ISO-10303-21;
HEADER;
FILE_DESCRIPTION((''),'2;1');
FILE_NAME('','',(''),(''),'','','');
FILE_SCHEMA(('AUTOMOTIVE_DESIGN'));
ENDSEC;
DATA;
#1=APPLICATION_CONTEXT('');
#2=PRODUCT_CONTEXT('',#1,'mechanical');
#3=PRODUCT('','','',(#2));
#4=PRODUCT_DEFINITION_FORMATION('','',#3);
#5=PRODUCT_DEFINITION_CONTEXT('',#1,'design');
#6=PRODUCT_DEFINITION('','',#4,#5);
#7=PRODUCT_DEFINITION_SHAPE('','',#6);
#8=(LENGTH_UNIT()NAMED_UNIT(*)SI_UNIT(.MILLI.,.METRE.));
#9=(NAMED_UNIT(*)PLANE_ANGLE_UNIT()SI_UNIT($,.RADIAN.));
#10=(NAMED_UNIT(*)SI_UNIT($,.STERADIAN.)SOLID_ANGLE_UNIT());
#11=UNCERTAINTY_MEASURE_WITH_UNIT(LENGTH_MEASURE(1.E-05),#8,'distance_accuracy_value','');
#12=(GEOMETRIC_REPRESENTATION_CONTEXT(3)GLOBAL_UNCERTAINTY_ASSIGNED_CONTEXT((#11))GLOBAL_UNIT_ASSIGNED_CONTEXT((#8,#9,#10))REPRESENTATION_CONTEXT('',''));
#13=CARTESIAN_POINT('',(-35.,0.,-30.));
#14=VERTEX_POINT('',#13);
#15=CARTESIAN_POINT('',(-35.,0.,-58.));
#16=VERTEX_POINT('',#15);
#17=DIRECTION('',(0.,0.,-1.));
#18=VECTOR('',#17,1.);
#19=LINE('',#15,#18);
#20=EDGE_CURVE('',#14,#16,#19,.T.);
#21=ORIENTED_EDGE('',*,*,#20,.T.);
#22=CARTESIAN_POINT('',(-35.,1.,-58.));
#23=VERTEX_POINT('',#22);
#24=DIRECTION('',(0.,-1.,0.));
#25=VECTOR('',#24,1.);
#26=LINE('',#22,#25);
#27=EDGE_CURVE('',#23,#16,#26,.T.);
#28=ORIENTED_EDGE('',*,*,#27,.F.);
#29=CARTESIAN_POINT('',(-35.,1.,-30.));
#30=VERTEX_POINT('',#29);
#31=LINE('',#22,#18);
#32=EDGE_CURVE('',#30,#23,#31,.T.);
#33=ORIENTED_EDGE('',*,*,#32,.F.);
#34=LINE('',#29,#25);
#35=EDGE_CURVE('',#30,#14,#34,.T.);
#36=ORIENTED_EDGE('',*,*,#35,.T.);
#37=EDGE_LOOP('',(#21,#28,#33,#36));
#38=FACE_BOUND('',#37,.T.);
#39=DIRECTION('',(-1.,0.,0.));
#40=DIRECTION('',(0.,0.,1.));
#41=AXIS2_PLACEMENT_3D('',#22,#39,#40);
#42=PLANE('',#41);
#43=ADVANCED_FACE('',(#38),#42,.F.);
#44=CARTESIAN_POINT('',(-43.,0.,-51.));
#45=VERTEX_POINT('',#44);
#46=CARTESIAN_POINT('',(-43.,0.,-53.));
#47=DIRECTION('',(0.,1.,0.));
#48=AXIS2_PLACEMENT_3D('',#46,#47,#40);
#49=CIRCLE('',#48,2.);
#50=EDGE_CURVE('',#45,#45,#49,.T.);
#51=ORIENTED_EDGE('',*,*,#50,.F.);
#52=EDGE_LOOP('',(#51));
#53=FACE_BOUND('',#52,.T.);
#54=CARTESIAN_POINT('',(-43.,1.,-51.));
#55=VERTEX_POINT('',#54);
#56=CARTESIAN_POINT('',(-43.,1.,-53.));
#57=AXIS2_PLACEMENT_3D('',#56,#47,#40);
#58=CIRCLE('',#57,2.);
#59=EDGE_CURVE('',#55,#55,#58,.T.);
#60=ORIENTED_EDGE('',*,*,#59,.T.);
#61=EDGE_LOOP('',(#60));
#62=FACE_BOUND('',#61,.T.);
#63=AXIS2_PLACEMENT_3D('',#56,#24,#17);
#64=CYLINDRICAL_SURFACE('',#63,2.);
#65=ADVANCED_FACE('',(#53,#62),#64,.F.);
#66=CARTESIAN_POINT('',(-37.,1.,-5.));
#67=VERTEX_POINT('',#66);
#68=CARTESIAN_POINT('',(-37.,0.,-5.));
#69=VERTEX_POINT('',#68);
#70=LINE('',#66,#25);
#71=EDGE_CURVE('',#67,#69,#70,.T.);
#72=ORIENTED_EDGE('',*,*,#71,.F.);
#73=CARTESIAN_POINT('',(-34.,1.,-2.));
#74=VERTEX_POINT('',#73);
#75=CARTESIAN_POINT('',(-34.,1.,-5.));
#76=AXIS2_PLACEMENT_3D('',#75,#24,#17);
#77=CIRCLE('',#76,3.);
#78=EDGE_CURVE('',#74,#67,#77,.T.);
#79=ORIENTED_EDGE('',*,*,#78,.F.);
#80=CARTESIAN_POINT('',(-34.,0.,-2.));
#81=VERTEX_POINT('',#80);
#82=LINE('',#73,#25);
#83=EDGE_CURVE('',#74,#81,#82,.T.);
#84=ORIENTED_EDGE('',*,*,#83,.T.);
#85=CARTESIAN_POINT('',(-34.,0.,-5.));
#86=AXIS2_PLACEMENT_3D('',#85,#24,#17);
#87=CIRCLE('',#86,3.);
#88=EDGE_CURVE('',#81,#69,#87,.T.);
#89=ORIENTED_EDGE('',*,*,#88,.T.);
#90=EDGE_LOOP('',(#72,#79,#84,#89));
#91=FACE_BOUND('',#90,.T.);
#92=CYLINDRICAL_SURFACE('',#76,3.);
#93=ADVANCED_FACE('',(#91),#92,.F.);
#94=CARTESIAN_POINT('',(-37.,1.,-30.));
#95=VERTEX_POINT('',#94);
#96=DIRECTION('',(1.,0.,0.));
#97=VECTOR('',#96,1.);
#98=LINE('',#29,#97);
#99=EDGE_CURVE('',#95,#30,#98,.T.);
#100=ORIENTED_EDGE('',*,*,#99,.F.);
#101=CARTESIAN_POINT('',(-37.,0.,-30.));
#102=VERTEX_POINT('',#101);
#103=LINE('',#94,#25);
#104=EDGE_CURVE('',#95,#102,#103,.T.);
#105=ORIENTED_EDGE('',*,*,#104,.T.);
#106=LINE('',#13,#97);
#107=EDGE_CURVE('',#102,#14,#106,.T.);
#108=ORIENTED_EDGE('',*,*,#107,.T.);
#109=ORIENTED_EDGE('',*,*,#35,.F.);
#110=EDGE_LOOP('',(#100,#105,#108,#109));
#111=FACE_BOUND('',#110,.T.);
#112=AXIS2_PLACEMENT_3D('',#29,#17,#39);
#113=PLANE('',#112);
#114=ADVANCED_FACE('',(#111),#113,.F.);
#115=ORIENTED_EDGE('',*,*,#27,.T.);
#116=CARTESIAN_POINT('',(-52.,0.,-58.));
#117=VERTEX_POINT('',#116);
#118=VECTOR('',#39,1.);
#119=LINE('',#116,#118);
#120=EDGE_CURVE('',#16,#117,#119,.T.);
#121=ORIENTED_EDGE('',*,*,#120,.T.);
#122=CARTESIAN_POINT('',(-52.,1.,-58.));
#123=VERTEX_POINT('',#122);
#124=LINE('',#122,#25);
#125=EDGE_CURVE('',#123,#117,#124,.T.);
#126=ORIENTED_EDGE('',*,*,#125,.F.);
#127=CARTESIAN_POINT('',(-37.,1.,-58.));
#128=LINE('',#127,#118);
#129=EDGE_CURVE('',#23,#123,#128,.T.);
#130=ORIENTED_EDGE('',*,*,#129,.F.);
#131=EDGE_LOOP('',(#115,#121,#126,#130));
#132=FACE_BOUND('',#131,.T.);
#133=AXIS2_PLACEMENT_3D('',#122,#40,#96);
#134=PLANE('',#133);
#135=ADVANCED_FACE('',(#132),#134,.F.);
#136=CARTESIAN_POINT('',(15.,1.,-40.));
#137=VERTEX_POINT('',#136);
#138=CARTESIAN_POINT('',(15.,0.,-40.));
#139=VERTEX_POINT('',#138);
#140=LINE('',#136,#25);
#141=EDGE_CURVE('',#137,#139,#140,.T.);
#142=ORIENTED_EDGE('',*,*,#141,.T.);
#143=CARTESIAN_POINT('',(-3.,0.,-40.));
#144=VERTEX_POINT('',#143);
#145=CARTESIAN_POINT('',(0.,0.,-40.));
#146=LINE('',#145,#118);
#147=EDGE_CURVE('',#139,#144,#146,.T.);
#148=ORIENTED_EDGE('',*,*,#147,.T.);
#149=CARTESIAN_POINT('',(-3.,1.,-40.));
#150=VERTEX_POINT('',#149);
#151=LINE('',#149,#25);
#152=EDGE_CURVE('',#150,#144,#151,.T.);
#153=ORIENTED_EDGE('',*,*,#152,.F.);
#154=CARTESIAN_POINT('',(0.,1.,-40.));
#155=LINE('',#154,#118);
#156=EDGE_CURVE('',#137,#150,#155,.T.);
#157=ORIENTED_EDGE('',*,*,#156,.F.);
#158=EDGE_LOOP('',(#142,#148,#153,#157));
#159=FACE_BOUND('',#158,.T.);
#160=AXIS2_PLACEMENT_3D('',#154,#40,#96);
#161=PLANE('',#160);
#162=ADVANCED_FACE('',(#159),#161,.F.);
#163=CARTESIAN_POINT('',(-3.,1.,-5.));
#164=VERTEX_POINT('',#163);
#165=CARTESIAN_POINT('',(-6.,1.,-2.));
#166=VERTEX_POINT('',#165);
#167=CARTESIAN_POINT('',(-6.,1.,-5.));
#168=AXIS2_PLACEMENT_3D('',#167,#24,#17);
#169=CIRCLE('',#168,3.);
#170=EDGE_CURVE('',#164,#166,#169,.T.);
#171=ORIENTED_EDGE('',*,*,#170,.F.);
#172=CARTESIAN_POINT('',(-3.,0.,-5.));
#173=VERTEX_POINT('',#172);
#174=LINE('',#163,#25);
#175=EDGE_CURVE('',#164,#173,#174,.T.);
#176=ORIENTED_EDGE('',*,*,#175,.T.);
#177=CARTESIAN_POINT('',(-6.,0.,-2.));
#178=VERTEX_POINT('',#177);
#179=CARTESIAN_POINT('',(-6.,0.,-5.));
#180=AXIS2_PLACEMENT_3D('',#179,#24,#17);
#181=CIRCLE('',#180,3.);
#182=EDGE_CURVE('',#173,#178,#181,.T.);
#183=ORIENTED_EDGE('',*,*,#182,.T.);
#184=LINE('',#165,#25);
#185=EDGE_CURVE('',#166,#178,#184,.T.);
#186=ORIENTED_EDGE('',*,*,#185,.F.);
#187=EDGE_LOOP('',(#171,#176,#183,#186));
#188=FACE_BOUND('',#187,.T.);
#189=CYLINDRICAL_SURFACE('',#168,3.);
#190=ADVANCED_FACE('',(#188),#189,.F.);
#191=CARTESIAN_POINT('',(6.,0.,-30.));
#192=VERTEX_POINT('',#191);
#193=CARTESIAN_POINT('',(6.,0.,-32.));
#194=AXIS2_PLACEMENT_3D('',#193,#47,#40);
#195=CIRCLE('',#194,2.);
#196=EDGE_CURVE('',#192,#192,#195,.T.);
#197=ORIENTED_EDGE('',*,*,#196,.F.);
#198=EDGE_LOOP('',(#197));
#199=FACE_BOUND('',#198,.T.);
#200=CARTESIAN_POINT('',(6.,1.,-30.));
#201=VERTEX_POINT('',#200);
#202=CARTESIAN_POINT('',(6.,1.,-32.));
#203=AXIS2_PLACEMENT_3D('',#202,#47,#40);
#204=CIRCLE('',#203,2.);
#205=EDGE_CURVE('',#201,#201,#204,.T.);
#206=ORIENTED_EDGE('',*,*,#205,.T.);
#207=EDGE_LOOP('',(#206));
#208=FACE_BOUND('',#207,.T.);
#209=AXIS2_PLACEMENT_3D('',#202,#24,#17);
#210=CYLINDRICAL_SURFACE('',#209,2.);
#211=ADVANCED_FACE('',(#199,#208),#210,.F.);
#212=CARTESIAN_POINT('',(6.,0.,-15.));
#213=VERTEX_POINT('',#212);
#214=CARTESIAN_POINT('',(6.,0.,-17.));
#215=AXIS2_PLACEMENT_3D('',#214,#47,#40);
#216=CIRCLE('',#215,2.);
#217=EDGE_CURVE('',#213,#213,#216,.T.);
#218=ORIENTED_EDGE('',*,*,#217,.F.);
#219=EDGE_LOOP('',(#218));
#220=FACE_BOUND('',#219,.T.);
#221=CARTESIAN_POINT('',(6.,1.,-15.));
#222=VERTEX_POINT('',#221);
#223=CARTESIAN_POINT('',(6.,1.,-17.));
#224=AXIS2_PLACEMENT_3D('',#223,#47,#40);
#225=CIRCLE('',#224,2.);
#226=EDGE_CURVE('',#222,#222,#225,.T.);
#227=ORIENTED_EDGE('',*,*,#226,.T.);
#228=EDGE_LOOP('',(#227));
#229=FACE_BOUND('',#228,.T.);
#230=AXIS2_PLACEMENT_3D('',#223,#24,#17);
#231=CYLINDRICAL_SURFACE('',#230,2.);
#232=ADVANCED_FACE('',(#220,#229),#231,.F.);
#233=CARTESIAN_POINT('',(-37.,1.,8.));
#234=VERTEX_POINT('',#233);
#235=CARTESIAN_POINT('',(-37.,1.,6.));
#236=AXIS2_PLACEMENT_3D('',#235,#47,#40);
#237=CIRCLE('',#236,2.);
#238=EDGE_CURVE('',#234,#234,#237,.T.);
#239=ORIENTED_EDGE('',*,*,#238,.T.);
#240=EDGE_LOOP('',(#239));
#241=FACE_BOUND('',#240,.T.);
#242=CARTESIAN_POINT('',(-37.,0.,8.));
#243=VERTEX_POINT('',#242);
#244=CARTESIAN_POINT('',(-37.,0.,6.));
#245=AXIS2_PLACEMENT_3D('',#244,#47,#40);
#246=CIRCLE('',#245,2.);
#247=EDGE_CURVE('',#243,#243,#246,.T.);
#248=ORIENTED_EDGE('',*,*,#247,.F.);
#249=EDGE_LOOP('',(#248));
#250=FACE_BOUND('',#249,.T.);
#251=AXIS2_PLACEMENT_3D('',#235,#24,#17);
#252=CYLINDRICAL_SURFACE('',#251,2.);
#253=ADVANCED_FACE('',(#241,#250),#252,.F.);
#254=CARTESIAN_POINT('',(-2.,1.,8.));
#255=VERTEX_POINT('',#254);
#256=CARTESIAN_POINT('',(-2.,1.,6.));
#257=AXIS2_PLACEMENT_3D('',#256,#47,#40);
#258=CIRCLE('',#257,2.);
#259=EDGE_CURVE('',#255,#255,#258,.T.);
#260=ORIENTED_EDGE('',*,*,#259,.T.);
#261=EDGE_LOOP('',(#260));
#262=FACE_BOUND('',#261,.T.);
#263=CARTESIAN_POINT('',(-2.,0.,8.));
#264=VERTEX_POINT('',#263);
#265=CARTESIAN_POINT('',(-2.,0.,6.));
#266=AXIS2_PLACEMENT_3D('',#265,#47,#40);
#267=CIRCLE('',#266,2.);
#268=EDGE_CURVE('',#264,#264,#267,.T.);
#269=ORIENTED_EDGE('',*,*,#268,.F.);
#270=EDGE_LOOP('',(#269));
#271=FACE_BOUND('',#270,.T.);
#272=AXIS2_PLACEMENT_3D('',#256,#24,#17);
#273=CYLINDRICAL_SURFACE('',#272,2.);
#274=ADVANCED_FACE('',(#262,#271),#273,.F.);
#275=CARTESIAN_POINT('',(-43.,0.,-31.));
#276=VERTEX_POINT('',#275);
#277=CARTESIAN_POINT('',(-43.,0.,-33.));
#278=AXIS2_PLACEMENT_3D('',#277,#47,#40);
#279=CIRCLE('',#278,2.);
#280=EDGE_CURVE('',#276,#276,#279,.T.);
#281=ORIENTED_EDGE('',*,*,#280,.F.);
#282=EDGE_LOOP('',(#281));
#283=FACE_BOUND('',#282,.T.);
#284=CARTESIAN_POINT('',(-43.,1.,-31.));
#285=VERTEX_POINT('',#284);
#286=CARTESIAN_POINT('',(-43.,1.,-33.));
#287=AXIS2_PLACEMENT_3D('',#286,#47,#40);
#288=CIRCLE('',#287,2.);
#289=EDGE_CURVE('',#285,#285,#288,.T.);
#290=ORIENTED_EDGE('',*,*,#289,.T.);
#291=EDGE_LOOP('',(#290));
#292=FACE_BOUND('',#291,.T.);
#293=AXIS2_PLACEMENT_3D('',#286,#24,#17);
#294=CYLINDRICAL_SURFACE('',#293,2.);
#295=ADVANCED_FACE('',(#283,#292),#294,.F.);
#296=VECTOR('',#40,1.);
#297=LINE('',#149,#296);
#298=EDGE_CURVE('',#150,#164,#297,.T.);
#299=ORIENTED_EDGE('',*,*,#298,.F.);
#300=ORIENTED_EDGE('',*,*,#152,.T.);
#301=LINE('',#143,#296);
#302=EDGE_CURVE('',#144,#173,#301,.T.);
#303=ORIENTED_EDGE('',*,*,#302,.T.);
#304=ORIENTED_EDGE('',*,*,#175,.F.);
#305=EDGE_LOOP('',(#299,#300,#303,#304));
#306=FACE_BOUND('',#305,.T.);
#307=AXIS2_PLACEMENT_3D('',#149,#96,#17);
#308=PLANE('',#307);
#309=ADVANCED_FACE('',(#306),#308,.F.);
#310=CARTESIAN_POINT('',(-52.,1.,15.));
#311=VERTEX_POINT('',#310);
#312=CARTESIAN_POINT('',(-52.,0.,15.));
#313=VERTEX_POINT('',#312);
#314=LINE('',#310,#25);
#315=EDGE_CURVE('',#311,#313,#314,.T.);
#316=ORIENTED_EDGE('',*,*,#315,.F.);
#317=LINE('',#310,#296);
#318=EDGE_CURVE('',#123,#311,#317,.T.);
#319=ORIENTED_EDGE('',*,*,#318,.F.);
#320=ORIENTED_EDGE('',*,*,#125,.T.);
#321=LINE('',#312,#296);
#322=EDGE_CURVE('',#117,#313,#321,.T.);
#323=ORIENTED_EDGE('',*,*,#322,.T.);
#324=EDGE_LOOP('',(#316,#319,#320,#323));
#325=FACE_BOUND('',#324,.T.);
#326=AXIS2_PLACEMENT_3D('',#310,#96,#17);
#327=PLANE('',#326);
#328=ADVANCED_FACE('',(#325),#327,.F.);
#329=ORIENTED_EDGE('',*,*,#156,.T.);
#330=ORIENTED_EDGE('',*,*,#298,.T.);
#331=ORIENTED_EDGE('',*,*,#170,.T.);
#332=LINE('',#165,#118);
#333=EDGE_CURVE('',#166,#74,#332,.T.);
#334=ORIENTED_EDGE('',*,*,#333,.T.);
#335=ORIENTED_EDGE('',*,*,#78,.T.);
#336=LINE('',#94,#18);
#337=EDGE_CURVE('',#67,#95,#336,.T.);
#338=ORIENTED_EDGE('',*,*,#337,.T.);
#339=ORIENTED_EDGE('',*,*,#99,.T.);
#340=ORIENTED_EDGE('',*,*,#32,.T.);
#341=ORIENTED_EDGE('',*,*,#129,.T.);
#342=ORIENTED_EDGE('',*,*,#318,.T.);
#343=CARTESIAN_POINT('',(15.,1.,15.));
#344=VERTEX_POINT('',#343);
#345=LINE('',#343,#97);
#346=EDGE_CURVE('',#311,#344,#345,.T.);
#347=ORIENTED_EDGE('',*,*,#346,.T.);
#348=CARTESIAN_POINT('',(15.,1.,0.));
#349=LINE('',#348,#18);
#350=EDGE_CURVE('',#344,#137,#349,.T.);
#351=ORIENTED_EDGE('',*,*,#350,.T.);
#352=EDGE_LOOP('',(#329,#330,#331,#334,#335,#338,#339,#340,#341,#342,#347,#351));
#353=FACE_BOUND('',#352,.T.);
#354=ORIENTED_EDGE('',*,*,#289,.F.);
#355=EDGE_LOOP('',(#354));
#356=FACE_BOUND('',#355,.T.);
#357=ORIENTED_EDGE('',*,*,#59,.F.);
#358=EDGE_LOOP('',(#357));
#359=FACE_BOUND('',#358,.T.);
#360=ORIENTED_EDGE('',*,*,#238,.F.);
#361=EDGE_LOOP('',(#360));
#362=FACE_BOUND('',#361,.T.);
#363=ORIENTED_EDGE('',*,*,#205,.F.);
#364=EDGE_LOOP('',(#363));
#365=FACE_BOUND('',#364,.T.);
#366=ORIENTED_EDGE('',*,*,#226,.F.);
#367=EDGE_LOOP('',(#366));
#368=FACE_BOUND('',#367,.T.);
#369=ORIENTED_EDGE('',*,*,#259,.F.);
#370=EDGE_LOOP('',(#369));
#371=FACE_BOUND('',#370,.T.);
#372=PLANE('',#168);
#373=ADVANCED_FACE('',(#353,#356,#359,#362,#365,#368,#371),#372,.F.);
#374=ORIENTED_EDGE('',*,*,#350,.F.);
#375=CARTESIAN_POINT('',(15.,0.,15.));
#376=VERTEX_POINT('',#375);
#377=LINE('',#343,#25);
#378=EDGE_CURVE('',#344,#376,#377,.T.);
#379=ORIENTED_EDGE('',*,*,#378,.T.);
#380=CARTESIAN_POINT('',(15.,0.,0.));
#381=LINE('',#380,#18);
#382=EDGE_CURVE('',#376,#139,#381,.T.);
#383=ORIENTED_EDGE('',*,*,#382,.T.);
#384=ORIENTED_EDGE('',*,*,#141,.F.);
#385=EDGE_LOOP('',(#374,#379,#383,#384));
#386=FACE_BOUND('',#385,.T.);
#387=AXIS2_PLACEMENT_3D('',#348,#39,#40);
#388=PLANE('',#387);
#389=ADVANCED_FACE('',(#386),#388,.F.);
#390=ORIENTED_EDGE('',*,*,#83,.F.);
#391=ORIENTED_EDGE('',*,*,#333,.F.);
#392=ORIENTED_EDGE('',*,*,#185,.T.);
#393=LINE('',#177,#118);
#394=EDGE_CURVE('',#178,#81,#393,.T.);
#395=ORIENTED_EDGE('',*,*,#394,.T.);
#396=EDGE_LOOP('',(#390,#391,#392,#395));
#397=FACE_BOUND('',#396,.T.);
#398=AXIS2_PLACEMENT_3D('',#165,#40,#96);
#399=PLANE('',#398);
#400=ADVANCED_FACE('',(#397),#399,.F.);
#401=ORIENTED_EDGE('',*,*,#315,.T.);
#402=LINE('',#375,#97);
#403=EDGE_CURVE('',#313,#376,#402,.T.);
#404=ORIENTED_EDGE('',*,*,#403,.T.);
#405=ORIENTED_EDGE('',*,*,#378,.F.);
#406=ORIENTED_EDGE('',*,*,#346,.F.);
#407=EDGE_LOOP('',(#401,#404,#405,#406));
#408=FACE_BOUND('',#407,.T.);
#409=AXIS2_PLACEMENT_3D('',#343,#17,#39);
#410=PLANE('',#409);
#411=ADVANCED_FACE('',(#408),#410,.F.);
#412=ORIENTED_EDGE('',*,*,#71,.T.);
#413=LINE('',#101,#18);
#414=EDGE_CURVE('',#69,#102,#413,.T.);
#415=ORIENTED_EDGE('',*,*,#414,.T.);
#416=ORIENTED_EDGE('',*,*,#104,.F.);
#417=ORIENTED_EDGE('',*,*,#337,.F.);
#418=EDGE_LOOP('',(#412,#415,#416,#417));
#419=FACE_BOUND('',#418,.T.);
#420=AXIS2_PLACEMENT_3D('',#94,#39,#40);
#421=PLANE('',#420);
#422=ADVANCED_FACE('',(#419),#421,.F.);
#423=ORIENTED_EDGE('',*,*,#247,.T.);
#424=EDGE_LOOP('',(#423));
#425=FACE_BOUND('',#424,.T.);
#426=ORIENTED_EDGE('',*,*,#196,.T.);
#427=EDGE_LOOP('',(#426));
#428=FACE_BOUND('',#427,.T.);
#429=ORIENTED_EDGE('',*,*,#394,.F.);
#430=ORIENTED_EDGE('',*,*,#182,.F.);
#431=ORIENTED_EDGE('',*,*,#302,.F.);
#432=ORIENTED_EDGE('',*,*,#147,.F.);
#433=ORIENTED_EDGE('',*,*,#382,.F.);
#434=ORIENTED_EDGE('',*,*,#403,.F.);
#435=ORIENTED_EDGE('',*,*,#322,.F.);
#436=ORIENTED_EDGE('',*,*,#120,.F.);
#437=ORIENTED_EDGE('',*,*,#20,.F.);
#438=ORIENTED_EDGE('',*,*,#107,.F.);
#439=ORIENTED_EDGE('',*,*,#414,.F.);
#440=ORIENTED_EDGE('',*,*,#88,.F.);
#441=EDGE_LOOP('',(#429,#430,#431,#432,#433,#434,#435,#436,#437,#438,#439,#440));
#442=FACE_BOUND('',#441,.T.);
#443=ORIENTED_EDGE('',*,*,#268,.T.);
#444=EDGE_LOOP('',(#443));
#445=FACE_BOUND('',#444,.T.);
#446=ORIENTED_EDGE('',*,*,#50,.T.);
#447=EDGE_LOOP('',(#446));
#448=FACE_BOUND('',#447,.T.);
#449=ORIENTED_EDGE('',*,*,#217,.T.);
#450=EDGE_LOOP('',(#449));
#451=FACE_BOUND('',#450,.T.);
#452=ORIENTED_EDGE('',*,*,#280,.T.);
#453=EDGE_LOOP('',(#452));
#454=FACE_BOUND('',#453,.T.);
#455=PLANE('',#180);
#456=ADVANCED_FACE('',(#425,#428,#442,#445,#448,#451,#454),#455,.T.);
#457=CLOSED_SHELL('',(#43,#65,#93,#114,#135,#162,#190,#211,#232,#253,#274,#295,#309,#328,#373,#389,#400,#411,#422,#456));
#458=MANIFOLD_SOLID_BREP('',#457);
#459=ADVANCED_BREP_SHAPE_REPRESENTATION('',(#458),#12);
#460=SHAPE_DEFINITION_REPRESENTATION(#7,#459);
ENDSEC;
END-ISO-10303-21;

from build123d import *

# Parameters (mm, degrees)
SKETCH1_R           = 2
BOSS_EXTRUDE2_DEPTH = 1


with BuildPart() as part:
    # Sketch1 → Boss-Extrude2 (new body)
    with BuildSketch(Plane(origin=(0, 0, 0), x_dir=(1, 0, 0), z_dir=(0, 1, 0))):
        with BuildLine():
            Line((0, 40), (15, 40))
            Line((15, 40), (15, 0))
            Line((15, 0), (15, -15))
            Line((15, -15), (-52, -15))
            Line((-52, -15), (-52, 58))
            Line((-52, 58), (-37, 58))
            Line((-37, 58), (-35, 58))
            Line((-35, 58), (-35, 30))
            Line((-35, 30), (-37, 30))
            Line((-37, 30), (-37, 5))
            ThreePointArc((-37, 5), (-36.121320344, 2.878679656), (-34, 2))
            Line((-34, 2), (-6, 2))
            ThreePointArc((-6, 2), (-3.878679656, 2.878679656), (-3, 5))
            Line((-3, 5), (-3, 40))
            Line((-3, 40), (0, 40))
        make_face()
        with Locations((6, 32)):
            Circle(SKETCH1_R, mode=Mode.SUBTRACT)
        with Locations((6, 17)):
            Circle(SKETCH1_R, mode=Mode.SUBTRACT)
        with Locations((-43, 53)):
            Circle(SKETCH1_R, mode=Mode.SUBTRACT)
        with Locations((-43, 33)):
            Circle(SKETCH1_R, mode=Mode.SUBTRACT)
        with Locations((-37, -6)):
            Circle(SKETCH1_R, mode=Mode.SUBTRACT)
        with Locations((-2, -6)):
            Circle(SKETCH1_R, mode=Mode.SUBTRACT)
    extrude(amount=BOSS_EXTRUDE2_DEPTH)


solid = part.part
